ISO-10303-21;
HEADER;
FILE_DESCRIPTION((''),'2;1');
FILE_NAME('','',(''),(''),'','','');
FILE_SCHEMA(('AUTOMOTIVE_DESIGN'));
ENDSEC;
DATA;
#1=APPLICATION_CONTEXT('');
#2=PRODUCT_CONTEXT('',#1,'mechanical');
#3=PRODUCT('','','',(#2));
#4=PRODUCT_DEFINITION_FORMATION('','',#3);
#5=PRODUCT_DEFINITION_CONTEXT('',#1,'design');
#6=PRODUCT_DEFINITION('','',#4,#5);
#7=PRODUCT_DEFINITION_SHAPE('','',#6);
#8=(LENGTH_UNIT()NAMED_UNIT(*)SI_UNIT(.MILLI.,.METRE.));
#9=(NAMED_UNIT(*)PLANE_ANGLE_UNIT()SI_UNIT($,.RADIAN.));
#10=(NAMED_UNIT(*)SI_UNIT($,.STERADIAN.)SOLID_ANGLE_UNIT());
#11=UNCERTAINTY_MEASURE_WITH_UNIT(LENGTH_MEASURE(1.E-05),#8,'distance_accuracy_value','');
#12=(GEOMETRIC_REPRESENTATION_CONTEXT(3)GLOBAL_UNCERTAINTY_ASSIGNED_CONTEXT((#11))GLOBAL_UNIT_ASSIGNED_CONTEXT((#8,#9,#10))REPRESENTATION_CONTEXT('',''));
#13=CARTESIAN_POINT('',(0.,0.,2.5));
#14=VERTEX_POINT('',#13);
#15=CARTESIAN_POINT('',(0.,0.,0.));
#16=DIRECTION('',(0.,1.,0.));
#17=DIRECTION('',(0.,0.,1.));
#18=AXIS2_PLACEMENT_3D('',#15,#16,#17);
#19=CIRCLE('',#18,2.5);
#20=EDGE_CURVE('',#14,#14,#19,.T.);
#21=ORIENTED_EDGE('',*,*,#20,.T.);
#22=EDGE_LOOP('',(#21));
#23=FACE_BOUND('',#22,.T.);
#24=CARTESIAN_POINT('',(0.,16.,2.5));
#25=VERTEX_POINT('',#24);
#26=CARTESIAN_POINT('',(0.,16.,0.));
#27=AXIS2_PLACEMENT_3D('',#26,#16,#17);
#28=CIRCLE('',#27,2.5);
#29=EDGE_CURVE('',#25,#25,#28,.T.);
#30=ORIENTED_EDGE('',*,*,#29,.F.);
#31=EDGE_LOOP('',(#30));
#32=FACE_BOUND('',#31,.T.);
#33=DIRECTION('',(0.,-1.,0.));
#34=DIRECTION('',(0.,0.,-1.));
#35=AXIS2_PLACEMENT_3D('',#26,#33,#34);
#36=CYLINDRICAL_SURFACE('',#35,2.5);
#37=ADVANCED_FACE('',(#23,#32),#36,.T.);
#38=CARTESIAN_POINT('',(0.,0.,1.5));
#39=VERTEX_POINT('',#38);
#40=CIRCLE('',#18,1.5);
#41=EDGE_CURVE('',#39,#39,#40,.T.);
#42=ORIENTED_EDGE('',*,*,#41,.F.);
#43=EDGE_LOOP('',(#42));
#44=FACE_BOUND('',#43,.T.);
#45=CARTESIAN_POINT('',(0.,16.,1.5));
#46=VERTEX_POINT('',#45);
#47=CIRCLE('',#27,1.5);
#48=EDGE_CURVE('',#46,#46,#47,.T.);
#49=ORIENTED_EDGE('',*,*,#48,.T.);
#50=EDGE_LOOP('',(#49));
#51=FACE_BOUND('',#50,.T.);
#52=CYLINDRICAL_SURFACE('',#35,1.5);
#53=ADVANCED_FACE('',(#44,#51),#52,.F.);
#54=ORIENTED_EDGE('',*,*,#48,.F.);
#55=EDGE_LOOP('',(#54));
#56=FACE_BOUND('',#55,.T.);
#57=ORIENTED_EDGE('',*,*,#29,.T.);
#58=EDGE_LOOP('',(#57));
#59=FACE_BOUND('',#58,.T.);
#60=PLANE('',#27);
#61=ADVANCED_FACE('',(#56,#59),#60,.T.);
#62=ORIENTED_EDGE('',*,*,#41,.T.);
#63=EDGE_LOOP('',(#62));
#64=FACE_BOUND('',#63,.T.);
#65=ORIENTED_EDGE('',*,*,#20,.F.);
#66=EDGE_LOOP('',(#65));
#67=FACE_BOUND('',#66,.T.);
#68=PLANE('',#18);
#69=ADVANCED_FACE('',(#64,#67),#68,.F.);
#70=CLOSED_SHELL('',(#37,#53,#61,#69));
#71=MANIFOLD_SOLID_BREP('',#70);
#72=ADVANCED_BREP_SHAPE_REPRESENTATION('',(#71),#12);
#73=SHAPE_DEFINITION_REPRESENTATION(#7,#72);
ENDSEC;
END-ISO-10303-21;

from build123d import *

# Parameters (mm, degrees)
SKETCH_1_R      = 2.5
SKETCH_1_R_2    = 1.5
EXTRUDE_1_DEPTH = 16


with BuildPart() as part:
    # 草图1 → 凸台-拉伸1 (new body)
    with BuildSketch(Plane(origin=(0, 0, 0), x_dir=(1, 0, 0), z_dir=(0, 1, 0))):
        Circle(SKETCH_1_R)
        Circle(SKETCH_1_R_2, mode=Mode.SUBTRACT)
    extrude(amount=EXTRUDE_1_DEPTH)


solid = part.part
